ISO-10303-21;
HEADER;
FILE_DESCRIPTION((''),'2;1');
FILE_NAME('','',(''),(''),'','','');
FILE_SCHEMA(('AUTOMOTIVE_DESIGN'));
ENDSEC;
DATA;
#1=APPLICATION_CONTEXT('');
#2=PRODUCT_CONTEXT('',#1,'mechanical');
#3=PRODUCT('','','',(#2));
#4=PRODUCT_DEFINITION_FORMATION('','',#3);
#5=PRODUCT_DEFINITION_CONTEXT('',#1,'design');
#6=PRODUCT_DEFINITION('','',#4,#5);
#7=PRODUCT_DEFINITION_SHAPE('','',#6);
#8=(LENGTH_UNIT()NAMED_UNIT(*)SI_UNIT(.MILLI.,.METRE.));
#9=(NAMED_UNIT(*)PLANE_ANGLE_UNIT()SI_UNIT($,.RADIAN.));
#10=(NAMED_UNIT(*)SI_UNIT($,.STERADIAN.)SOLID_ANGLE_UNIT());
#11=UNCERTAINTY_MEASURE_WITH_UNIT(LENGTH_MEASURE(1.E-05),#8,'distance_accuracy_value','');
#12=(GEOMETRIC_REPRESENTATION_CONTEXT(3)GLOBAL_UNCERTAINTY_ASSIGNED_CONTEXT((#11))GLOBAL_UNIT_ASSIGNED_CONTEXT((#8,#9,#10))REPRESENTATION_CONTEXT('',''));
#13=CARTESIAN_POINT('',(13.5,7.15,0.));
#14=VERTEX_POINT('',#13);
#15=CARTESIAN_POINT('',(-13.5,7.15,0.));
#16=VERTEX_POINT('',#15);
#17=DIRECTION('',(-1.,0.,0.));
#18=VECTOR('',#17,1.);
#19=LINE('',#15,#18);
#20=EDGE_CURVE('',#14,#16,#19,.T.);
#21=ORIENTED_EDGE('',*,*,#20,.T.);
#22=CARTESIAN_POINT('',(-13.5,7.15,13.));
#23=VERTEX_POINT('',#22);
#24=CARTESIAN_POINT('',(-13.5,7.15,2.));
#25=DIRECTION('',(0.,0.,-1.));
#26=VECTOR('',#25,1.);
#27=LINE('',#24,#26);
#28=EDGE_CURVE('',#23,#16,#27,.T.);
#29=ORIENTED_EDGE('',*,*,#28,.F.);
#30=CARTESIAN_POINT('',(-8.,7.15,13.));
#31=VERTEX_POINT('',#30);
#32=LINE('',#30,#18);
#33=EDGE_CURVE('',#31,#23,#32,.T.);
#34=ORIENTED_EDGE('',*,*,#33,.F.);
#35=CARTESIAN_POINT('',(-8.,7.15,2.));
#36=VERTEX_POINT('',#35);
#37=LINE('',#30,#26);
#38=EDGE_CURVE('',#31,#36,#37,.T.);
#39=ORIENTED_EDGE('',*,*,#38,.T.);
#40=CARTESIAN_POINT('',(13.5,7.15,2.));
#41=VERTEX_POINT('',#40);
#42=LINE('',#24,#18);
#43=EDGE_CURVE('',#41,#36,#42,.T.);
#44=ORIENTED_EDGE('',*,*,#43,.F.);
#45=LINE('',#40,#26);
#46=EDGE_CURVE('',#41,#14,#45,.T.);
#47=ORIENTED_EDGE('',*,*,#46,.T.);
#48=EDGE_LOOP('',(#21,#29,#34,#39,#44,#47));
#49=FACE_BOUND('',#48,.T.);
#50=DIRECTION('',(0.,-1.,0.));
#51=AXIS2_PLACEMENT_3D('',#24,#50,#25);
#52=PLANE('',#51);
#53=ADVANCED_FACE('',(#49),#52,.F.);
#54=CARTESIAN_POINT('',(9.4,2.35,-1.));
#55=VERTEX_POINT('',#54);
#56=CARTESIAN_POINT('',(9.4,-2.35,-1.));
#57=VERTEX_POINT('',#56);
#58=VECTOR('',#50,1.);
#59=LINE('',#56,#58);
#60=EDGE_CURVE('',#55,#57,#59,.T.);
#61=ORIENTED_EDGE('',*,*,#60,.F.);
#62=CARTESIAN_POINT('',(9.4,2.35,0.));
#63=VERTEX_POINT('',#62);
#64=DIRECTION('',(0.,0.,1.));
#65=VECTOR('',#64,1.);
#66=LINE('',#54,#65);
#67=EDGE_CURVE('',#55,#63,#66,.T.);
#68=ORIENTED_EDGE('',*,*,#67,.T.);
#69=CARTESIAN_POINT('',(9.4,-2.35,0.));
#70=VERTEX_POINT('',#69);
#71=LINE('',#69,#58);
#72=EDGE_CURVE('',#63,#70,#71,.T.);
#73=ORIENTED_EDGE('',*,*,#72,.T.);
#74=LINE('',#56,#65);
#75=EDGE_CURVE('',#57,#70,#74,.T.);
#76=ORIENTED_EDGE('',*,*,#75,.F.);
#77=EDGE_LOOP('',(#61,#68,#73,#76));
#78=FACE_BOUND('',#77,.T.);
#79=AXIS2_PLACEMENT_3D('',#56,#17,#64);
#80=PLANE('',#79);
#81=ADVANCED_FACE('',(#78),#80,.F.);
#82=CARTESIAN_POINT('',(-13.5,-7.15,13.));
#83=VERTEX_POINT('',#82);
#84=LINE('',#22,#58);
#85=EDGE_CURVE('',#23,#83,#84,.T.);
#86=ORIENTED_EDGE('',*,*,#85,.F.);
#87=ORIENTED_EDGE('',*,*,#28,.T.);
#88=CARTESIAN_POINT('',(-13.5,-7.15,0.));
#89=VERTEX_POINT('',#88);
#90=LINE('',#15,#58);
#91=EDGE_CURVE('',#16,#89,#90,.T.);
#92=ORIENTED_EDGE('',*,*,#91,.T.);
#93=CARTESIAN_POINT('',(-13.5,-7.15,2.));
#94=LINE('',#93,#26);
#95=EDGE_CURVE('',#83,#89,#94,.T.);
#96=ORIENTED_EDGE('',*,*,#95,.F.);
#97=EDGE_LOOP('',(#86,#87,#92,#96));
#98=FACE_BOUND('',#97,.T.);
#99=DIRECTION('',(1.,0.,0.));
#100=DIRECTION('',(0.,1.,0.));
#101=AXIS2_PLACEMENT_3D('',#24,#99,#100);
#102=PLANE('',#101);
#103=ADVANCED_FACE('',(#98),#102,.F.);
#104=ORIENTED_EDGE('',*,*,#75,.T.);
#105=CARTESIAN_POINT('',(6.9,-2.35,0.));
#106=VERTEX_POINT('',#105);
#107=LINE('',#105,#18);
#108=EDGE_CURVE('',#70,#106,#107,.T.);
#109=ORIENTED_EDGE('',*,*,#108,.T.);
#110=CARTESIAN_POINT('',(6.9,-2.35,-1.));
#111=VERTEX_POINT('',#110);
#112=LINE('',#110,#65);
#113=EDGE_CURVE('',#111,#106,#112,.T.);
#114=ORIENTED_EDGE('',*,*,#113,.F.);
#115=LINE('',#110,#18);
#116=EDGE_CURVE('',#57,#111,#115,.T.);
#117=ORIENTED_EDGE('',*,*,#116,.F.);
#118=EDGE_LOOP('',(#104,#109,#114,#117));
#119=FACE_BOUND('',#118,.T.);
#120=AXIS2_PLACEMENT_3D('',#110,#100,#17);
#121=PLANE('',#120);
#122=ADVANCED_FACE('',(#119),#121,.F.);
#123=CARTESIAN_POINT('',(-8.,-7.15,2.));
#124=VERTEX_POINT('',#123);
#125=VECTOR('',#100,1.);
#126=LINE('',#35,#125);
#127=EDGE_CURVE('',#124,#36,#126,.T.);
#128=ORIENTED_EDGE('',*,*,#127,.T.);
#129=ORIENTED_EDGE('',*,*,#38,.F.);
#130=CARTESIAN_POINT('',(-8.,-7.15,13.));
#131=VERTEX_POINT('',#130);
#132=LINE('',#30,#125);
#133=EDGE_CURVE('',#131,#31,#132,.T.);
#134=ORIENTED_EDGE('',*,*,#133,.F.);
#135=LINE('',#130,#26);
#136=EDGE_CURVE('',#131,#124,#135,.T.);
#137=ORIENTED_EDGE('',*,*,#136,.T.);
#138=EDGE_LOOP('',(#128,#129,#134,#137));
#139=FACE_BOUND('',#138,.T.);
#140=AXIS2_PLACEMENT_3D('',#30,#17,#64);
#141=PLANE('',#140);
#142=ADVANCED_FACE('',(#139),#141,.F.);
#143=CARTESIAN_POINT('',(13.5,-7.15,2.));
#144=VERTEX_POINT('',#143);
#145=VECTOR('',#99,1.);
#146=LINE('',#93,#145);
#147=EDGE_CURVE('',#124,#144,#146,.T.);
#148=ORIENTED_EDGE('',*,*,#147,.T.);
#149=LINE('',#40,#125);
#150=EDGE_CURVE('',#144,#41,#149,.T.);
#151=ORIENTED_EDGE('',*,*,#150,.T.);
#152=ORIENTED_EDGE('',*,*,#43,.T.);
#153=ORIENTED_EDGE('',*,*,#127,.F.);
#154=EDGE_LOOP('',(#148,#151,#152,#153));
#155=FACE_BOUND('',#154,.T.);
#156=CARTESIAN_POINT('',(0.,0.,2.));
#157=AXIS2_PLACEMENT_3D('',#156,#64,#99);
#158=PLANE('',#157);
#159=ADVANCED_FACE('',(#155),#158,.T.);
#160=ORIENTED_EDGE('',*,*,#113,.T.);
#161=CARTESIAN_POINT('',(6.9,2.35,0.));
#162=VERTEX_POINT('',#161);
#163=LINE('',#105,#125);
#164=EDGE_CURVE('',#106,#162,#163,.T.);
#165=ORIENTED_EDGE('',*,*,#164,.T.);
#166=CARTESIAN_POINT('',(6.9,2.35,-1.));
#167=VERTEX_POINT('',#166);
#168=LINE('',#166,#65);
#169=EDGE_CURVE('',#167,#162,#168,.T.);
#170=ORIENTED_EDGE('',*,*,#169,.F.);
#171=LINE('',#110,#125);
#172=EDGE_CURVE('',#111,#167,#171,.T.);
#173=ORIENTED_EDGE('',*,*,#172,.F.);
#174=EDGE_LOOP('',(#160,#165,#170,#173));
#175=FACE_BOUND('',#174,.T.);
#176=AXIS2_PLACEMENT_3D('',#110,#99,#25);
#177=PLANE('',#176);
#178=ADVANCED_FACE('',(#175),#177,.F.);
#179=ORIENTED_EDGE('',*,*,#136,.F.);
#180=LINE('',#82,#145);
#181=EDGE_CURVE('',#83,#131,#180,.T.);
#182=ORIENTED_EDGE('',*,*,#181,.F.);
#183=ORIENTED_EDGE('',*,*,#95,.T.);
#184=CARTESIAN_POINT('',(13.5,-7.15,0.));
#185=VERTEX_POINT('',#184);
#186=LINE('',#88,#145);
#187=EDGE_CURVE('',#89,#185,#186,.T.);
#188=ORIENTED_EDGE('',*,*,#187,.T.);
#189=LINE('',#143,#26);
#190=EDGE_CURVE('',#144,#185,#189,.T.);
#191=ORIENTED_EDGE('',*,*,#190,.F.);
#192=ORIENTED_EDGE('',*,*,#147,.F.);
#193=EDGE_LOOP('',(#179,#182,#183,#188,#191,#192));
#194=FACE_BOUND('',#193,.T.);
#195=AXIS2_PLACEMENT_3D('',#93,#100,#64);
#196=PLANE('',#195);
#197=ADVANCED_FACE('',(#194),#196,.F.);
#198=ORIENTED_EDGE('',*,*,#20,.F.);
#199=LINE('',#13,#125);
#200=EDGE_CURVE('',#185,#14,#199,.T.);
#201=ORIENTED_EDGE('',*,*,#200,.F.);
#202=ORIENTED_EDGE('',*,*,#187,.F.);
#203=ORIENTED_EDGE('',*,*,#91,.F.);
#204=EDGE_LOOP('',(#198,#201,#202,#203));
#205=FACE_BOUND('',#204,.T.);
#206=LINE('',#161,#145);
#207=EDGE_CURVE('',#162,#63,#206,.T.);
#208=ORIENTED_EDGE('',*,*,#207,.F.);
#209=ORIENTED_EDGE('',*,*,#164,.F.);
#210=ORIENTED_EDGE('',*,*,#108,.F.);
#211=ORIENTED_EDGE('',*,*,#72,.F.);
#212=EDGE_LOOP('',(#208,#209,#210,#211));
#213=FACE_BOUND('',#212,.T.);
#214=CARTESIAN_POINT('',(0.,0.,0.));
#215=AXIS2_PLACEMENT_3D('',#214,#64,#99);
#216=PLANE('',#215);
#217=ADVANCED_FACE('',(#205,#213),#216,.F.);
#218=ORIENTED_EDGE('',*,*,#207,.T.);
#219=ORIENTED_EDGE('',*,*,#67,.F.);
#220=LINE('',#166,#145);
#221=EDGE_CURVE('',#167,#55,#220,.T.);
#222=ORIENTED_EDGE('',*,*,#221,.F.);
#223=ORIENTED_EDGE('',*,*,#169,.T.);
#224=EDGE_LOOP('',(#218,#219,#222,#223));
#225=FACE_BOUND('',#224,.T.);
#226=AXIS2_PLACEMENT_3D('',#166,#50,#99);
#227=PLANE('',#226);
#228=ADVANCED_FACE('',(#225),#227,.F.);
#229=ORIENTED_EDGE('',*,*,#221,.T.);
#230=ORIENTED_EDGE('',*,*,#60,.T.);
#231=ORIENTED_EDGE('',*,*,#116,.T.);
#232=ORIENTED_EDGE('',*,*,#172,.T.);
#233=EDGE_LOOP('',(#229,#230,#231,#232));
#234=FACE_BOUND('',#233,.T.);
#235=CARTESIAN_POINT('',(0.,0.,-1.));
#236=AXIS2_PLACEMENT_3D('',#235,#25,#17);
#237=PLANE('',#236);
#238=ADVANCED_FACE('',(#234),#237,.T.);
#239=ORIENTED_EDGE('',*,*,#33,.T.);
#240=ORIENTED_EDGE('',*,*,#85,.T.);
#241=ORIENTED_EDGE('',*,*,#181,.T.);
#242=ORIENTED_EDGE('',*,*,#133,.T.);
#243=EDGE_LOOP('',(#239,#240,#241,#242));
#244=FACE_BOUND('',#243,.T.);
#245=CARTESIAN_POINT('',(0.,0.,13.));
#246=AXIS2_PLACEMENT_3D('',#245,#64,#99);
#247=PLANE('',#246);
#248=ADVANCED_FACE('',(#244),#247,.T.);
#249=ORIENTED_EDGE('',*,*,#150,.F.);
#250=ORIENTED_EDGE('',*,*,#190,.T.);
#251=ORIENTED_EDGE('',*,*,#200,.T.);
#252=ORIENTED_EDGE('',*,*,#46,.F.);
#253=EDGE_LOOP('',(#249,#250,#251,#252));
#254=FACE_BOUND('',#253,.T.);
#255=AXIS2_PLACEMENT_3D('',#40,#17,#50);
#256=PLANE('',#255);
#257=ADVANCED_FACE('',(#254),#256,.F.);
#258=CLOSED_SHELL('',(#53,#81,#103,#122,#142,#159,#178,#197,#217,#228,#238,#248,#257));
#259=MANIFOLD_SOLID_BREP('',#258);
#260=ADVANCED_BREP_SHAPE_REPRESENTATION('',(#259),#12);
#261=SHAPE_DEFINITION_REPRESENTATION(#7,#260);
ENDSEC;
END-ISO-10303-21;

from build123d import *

# Parameters (mm, degrees)
SKETCH1_W           = 27
SKETCH1_H           = 14.3
BOSS_EXTRUDE1_DEPTH = 2
SKETCH2_W           = 5.5
SKETCH2_H           = 14.3
BOSS_EXTRUDE2_DEPTH = 11
SKETCH3_W           = 2.5
SKETCH3_H           = 4.7
BOSS_EXTRUDE3_DEPTH = 1


with BuildPart() as part:
    # Sketch1 → Boss-Extrude1 (new body)
    with BuildSketch(Plane.XY):
        Rectangle(SKETCH1_W, SKETCH1_H)
    extrude(amount=BOSS_EXTRUDE1_DEPTH)

    # Sketch2 → Boss-Extrude2 (add)
    with BuildSketch(Plane.XY.offset(2)):
        with Locations((-10.75, 0)):
            Rectangle(SKETCH2_W, SKETCH2_H)
    extrude(amount=BOSS_EXTRUDE2_DEPTH)

    # Sketch3 → Boss-Extrude3 (add)
    with BuildSketch(Plane(origin=(0, 0, 0), x_dir=(-1, 0, 0), z_dir=(0, 0, -1))):
        with Locations((-8.15, 0)):
            Rectangle(SKETCH3_W, SKETCH3_H)
    extrude(amount=BOSS_EXTRUDE3_DEPTH)


solid = part.part
